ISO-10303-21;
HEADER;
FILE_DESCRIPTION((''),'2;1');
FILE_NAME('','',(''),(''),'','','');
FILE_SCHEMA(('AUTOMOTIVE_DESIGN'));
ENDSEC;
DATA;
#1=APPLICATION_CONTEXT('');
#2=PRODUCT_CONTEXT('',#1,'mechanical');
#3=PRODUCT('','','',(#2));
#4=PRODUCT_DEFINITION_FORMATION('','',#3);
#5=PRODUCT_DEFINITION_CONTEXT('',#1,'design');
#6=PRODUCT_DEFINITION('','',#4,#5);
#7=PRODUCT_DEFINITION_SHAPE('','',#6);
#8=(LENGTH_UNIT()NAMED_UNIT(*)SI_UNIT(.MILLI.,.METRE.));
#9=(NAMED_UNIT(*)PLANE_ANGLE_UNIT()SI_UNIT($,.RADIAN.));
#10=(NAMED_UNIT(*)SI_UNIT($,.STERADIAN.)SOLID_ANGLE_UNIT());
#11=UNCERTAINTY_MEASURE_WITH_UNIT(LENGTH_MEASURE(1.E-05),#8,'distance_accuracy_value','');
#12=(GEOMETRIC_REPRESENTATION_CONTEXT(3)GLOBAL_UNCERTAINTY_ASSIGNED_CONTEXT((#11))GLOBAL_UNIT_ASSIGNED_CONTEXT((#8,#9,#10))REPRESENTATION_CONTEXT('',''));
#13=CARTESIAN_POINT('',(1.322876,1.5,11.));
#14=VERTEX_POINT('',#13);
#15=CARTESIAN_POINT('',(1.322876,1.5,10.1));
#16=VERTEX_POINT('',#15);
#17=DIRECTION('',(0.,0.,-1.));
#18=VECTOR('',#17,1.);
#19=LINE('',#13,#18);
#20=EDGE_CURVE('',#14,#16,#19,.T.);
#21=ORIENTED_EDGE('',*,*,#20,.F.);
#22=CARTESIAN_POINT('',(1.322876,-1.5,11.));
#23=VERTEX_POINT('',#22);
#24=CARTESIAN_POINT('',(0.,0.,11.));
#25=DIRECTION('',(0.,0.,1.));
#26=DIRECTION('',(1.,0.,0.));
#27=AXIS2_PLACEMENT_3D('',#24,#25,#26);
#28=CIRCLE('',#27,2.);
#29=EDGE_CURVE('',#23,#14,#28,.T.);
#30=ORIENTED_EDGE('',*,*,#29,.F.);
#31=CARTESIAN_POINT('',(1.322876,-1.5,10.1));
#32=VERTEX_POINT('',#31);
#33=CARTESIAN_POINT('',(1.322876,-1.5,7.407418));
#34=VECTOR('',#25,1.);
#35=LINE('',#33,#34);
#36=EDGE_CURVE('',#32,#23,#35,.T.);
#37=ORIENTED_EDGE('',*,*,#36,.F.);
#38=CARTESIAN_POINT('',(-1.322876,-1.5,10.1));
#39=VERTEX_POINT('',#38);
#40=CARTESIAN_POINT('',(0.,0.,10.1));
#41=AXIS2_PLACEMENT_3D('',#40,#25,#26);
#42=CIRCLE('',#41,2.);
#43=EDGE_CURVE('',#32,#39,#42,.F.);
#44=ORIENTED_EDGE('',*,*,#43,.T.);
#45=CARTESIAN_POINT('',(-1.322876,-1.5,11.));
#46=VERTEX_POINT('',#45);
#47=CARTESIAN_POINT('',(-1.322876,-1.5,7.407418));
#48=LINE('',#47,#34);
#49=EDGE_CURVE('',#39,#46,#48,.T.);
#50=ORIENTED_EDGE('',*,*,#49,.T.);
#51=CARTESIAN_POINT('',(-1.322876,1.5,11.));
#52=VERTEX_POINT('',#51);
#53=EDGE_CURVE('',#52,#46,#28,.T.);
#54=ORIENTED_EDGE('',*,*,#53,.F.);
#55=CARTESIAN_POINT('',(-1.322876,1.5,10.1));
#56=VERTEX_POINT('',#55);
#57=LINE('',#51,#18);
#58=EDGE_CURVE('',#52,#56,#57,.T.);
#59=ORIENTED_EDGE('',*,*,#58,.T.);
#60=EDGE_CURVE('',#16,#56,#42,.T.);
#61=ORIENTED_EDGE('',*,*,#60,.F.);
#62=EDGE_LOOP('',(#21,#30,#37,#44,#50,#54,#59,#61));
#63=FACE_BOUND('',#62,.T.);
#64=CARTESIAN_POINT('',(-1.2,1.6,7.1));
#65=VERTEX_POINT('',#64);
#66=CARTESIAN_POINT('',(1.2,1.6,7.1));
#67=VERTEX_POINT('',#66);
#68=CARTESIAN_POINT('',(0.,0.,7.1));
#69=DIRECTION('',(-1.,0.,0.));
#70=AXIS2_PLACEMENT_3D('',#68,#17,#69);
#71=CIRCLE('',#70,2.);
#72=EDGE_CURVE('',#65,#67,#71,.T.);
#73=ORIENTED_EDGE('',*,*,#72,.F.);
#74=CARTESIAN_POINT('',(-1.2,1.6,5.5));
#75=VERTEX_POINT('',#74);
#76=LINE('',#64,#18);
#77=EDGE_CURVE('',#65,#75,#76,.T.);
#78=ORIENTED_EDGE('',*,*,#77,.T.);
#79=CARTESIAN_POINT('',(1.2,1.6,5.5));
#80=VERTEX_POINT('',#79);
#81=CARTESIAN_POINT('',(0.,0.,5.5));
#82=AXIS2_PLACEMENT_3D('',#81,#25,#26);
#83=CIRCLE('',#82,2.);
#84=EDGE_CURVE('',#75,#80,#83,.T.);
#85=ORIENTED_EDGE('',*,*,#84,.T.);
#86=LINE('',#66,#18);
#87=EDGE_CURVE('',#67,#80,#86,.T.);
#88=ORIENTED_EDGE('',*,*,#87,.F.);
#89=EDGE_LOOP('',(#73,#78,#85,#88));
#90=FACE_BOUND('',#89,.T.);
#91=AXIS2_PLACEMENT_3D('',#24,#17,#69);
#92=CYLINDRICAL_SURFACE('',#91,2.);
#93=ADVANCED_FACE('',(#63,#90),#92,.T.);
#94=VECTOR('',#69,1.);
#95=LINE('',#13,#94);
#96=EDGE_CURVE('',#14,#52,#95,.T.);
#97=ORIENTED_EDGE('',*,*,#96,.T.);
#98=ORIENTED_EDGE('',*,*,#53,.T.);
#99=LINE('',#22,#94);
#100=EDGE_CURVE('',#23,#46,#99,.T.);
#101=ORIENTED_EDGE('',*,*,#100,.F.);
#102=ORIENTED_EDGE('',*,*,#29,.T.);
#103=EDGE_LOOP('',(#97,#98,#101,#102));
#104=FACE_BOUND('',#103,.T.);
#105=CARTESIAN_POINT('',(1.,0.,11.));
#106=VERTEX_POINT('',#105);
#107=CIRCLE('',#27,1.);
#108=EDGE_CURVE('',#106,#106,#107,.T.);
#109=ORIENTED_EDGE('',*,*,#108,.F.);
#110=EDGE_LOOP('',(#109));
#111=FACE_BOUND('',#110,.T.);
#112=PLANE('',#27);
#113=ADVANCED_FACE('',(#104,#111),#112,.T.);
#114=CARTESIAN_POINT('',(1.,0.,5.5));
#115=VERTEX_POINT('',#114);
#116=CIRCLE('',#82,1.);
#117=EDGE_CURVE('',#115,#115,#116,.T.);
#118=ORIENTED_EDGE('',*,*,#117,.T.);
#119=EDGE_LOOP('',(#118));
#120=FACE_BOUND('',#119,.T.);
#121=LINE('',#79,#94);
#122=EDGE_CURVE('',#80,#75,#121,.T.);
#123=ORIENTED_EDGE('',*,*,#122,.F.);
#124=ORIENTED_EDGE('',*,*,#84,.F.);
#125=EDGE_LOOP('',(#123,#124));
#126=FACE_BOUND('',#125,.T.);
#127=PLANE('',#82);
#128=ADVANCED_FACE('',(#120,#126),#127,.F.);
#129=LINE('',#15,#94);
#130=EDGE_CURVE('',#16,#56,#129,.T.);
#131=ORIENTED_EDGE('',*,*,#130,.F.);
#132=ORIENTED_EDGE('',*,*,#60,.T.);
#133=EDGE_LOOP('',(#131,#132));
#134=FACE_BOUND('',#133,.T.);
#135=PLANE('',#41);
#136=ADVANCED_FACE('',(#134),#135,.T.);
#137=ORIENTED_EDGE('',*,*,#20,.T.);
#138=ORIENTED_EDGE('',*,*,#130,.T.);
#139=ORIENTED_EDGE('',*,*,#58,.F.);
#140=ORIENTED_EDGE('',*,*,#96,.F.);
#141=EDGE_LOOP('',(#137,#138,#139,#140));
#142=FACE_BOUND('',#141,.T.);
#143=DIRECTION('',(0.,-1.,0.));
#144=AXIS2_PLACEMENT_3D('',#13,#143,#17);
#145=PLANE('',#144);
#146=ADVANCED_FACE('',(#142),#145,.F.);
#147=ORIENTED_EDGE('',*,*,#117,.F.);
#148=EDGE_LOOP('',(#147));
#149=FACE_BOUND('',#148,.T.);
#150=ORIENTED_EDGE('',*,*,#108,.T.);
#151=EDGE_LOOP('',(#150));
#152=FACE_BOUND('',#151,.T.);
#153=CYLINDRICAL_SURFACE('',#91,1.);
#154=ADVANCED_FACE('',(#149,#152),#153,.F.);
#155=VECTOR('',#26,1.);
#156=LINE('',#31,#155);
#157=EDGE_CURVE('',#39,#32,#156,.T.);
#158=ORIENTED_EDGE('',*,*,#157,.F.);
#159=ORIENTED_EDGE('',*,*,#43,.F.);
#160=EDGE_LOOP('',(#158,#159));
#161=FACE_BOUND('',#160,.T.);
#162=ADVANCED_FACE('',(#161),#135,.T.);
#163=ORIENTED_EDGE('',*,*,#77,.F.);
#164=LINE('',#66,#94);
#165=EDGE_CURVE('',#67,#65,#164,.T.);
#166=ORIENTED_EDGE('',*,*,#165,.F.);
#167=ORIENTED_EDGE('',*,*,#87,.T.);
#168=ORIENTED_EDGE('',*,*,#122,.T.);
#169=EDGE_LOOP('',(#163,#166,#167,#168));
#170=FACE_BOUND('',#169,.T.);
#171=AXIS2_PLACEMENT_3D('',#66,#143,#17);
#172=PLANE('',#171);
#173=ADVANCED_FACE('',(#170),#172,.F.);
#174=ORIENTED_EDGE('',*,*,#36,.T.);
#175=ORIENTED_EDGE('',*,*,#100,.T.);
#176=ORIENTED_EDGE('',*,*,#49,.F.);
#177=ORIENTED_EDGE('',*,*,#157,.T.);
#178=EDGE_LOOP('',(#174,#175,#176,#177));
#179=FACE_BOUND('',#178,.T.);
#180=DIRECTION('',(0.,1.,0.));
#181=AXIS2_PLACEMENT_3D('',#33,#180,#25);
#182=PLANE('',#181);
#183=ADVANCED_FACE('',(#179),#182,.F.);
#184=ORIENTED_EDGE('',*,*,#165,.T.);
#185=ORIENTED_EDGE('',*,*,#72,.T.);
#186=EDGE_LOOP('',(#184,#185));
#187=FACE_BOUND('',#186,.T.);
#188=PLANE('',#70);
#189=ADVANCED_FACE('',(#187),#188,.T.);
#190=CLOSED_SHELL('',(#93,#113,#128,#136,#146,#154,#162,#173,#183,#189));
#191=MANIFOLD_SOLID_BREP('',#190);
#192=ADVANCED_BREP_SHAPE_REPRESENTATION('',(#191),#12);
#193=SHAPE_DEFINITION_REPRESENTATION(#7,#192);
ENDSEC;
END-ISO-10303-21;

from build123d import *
from build123d.topology import SkipClean

# Parameters (mm, degrees)
SKETCH3_R           = 1
BOSS_EXTRUDE1_DEPTH = 11
SKETCH4_R           = 2
BOSS_EXTRUDE2_DEPTH = 4.6
SKETCH8_R           = 1
CUT_EXTRUDE2_DEPTH  = 7.184658438
CUT_EXTRUDE5_START  = -0.9
CUT_EXTRUDE5_DEPTH  = 0.9
CUT_EXTRUDE6_DEPTH  = 1.6


with BuildPart() as part:
    # Sketch3 → Boss-Extrude1 (new body)
    with BuildSketch(Plane.XY):
        with BuildLine():
            Line((1.322875656, 1.5), (-1.322875656, 1.5))
            ThreePointArc((-1.322875656, 1.5), (0, -2), (1.322875656, 1.5))
        make_face()
        Circle(SKETCH3_R, mode=Mode.SUBTRACT)
    extrude(amount=BOSS_EXTRUDE1_DEPTH)

    # Sketch4 → Boss-Extrude2 (add, symmetric)
    with BuildSketch(Plane.XY.offset(5.5)):
        with Locations(Location((0, 0, 0), (0, 0, 131.409622109))):
            Circle(SKETCH4_R)
    extrude(amount=BOSS_EXTRUDE2_DEPTH, both=True)

    # Split1
    split(bisect_by=Plane.XY.offset(5.5), keep=Keep.TOP)

    # Sketch8 → Cut-Extrude2 (cut, through all)
    with SkipClean():  # the faces are left unmerged after this step: merging them gives an invalid solid
        with BuildSketch(Plane.XY.offset(5.5)):
            Circle(SKETCH8_R)
        extrude(amount=CUT_EXTRUDE2_DEPTH, mode=Mode.SUBTRACT)

    # Sketch9 → Cut-Extrude5 (cut)
    with SkipClean():  # the faces are left unmerged after this step: merging them gives an invalid solid
        with BuildSketch(Plane.XY.offset(11).offset(CUT_EXTRUDE5_START)):
            with BuildLine():
                Line((1.322875656, -1.5), (-1.322875656, -1.5))
                ThreePointArc((-1.322875656, -1.5), (0, -2), (1.322875656, -1.5))
            make_face()
        extrude(amount=CUT_EXTRUDE5_DEPTH, mode=Mode.SUBTRACT)

    # Sketch12 → Cut-Extrude6 (cut)
    with SkipClean():  # the faces are left unmerged after this step: merging them gives an invalid solid
        with BuildSketch(Plane(origin=(0, 0, 5.5), x_dir=(-1, 0, 0), z_dir=(0, 0, -1))):
            with BuildLine():
                Line((-1.2, 1.6), (1.2, 1.6))
                ThreePointArc((1.2, 1.6), (0, 2), (-1.2, 1.6))
            make_face()
        extrude(amount=-CUT_EXTRUDE6_DEPTH, mode=Mode.SUBTRACT)


solid = part.part
